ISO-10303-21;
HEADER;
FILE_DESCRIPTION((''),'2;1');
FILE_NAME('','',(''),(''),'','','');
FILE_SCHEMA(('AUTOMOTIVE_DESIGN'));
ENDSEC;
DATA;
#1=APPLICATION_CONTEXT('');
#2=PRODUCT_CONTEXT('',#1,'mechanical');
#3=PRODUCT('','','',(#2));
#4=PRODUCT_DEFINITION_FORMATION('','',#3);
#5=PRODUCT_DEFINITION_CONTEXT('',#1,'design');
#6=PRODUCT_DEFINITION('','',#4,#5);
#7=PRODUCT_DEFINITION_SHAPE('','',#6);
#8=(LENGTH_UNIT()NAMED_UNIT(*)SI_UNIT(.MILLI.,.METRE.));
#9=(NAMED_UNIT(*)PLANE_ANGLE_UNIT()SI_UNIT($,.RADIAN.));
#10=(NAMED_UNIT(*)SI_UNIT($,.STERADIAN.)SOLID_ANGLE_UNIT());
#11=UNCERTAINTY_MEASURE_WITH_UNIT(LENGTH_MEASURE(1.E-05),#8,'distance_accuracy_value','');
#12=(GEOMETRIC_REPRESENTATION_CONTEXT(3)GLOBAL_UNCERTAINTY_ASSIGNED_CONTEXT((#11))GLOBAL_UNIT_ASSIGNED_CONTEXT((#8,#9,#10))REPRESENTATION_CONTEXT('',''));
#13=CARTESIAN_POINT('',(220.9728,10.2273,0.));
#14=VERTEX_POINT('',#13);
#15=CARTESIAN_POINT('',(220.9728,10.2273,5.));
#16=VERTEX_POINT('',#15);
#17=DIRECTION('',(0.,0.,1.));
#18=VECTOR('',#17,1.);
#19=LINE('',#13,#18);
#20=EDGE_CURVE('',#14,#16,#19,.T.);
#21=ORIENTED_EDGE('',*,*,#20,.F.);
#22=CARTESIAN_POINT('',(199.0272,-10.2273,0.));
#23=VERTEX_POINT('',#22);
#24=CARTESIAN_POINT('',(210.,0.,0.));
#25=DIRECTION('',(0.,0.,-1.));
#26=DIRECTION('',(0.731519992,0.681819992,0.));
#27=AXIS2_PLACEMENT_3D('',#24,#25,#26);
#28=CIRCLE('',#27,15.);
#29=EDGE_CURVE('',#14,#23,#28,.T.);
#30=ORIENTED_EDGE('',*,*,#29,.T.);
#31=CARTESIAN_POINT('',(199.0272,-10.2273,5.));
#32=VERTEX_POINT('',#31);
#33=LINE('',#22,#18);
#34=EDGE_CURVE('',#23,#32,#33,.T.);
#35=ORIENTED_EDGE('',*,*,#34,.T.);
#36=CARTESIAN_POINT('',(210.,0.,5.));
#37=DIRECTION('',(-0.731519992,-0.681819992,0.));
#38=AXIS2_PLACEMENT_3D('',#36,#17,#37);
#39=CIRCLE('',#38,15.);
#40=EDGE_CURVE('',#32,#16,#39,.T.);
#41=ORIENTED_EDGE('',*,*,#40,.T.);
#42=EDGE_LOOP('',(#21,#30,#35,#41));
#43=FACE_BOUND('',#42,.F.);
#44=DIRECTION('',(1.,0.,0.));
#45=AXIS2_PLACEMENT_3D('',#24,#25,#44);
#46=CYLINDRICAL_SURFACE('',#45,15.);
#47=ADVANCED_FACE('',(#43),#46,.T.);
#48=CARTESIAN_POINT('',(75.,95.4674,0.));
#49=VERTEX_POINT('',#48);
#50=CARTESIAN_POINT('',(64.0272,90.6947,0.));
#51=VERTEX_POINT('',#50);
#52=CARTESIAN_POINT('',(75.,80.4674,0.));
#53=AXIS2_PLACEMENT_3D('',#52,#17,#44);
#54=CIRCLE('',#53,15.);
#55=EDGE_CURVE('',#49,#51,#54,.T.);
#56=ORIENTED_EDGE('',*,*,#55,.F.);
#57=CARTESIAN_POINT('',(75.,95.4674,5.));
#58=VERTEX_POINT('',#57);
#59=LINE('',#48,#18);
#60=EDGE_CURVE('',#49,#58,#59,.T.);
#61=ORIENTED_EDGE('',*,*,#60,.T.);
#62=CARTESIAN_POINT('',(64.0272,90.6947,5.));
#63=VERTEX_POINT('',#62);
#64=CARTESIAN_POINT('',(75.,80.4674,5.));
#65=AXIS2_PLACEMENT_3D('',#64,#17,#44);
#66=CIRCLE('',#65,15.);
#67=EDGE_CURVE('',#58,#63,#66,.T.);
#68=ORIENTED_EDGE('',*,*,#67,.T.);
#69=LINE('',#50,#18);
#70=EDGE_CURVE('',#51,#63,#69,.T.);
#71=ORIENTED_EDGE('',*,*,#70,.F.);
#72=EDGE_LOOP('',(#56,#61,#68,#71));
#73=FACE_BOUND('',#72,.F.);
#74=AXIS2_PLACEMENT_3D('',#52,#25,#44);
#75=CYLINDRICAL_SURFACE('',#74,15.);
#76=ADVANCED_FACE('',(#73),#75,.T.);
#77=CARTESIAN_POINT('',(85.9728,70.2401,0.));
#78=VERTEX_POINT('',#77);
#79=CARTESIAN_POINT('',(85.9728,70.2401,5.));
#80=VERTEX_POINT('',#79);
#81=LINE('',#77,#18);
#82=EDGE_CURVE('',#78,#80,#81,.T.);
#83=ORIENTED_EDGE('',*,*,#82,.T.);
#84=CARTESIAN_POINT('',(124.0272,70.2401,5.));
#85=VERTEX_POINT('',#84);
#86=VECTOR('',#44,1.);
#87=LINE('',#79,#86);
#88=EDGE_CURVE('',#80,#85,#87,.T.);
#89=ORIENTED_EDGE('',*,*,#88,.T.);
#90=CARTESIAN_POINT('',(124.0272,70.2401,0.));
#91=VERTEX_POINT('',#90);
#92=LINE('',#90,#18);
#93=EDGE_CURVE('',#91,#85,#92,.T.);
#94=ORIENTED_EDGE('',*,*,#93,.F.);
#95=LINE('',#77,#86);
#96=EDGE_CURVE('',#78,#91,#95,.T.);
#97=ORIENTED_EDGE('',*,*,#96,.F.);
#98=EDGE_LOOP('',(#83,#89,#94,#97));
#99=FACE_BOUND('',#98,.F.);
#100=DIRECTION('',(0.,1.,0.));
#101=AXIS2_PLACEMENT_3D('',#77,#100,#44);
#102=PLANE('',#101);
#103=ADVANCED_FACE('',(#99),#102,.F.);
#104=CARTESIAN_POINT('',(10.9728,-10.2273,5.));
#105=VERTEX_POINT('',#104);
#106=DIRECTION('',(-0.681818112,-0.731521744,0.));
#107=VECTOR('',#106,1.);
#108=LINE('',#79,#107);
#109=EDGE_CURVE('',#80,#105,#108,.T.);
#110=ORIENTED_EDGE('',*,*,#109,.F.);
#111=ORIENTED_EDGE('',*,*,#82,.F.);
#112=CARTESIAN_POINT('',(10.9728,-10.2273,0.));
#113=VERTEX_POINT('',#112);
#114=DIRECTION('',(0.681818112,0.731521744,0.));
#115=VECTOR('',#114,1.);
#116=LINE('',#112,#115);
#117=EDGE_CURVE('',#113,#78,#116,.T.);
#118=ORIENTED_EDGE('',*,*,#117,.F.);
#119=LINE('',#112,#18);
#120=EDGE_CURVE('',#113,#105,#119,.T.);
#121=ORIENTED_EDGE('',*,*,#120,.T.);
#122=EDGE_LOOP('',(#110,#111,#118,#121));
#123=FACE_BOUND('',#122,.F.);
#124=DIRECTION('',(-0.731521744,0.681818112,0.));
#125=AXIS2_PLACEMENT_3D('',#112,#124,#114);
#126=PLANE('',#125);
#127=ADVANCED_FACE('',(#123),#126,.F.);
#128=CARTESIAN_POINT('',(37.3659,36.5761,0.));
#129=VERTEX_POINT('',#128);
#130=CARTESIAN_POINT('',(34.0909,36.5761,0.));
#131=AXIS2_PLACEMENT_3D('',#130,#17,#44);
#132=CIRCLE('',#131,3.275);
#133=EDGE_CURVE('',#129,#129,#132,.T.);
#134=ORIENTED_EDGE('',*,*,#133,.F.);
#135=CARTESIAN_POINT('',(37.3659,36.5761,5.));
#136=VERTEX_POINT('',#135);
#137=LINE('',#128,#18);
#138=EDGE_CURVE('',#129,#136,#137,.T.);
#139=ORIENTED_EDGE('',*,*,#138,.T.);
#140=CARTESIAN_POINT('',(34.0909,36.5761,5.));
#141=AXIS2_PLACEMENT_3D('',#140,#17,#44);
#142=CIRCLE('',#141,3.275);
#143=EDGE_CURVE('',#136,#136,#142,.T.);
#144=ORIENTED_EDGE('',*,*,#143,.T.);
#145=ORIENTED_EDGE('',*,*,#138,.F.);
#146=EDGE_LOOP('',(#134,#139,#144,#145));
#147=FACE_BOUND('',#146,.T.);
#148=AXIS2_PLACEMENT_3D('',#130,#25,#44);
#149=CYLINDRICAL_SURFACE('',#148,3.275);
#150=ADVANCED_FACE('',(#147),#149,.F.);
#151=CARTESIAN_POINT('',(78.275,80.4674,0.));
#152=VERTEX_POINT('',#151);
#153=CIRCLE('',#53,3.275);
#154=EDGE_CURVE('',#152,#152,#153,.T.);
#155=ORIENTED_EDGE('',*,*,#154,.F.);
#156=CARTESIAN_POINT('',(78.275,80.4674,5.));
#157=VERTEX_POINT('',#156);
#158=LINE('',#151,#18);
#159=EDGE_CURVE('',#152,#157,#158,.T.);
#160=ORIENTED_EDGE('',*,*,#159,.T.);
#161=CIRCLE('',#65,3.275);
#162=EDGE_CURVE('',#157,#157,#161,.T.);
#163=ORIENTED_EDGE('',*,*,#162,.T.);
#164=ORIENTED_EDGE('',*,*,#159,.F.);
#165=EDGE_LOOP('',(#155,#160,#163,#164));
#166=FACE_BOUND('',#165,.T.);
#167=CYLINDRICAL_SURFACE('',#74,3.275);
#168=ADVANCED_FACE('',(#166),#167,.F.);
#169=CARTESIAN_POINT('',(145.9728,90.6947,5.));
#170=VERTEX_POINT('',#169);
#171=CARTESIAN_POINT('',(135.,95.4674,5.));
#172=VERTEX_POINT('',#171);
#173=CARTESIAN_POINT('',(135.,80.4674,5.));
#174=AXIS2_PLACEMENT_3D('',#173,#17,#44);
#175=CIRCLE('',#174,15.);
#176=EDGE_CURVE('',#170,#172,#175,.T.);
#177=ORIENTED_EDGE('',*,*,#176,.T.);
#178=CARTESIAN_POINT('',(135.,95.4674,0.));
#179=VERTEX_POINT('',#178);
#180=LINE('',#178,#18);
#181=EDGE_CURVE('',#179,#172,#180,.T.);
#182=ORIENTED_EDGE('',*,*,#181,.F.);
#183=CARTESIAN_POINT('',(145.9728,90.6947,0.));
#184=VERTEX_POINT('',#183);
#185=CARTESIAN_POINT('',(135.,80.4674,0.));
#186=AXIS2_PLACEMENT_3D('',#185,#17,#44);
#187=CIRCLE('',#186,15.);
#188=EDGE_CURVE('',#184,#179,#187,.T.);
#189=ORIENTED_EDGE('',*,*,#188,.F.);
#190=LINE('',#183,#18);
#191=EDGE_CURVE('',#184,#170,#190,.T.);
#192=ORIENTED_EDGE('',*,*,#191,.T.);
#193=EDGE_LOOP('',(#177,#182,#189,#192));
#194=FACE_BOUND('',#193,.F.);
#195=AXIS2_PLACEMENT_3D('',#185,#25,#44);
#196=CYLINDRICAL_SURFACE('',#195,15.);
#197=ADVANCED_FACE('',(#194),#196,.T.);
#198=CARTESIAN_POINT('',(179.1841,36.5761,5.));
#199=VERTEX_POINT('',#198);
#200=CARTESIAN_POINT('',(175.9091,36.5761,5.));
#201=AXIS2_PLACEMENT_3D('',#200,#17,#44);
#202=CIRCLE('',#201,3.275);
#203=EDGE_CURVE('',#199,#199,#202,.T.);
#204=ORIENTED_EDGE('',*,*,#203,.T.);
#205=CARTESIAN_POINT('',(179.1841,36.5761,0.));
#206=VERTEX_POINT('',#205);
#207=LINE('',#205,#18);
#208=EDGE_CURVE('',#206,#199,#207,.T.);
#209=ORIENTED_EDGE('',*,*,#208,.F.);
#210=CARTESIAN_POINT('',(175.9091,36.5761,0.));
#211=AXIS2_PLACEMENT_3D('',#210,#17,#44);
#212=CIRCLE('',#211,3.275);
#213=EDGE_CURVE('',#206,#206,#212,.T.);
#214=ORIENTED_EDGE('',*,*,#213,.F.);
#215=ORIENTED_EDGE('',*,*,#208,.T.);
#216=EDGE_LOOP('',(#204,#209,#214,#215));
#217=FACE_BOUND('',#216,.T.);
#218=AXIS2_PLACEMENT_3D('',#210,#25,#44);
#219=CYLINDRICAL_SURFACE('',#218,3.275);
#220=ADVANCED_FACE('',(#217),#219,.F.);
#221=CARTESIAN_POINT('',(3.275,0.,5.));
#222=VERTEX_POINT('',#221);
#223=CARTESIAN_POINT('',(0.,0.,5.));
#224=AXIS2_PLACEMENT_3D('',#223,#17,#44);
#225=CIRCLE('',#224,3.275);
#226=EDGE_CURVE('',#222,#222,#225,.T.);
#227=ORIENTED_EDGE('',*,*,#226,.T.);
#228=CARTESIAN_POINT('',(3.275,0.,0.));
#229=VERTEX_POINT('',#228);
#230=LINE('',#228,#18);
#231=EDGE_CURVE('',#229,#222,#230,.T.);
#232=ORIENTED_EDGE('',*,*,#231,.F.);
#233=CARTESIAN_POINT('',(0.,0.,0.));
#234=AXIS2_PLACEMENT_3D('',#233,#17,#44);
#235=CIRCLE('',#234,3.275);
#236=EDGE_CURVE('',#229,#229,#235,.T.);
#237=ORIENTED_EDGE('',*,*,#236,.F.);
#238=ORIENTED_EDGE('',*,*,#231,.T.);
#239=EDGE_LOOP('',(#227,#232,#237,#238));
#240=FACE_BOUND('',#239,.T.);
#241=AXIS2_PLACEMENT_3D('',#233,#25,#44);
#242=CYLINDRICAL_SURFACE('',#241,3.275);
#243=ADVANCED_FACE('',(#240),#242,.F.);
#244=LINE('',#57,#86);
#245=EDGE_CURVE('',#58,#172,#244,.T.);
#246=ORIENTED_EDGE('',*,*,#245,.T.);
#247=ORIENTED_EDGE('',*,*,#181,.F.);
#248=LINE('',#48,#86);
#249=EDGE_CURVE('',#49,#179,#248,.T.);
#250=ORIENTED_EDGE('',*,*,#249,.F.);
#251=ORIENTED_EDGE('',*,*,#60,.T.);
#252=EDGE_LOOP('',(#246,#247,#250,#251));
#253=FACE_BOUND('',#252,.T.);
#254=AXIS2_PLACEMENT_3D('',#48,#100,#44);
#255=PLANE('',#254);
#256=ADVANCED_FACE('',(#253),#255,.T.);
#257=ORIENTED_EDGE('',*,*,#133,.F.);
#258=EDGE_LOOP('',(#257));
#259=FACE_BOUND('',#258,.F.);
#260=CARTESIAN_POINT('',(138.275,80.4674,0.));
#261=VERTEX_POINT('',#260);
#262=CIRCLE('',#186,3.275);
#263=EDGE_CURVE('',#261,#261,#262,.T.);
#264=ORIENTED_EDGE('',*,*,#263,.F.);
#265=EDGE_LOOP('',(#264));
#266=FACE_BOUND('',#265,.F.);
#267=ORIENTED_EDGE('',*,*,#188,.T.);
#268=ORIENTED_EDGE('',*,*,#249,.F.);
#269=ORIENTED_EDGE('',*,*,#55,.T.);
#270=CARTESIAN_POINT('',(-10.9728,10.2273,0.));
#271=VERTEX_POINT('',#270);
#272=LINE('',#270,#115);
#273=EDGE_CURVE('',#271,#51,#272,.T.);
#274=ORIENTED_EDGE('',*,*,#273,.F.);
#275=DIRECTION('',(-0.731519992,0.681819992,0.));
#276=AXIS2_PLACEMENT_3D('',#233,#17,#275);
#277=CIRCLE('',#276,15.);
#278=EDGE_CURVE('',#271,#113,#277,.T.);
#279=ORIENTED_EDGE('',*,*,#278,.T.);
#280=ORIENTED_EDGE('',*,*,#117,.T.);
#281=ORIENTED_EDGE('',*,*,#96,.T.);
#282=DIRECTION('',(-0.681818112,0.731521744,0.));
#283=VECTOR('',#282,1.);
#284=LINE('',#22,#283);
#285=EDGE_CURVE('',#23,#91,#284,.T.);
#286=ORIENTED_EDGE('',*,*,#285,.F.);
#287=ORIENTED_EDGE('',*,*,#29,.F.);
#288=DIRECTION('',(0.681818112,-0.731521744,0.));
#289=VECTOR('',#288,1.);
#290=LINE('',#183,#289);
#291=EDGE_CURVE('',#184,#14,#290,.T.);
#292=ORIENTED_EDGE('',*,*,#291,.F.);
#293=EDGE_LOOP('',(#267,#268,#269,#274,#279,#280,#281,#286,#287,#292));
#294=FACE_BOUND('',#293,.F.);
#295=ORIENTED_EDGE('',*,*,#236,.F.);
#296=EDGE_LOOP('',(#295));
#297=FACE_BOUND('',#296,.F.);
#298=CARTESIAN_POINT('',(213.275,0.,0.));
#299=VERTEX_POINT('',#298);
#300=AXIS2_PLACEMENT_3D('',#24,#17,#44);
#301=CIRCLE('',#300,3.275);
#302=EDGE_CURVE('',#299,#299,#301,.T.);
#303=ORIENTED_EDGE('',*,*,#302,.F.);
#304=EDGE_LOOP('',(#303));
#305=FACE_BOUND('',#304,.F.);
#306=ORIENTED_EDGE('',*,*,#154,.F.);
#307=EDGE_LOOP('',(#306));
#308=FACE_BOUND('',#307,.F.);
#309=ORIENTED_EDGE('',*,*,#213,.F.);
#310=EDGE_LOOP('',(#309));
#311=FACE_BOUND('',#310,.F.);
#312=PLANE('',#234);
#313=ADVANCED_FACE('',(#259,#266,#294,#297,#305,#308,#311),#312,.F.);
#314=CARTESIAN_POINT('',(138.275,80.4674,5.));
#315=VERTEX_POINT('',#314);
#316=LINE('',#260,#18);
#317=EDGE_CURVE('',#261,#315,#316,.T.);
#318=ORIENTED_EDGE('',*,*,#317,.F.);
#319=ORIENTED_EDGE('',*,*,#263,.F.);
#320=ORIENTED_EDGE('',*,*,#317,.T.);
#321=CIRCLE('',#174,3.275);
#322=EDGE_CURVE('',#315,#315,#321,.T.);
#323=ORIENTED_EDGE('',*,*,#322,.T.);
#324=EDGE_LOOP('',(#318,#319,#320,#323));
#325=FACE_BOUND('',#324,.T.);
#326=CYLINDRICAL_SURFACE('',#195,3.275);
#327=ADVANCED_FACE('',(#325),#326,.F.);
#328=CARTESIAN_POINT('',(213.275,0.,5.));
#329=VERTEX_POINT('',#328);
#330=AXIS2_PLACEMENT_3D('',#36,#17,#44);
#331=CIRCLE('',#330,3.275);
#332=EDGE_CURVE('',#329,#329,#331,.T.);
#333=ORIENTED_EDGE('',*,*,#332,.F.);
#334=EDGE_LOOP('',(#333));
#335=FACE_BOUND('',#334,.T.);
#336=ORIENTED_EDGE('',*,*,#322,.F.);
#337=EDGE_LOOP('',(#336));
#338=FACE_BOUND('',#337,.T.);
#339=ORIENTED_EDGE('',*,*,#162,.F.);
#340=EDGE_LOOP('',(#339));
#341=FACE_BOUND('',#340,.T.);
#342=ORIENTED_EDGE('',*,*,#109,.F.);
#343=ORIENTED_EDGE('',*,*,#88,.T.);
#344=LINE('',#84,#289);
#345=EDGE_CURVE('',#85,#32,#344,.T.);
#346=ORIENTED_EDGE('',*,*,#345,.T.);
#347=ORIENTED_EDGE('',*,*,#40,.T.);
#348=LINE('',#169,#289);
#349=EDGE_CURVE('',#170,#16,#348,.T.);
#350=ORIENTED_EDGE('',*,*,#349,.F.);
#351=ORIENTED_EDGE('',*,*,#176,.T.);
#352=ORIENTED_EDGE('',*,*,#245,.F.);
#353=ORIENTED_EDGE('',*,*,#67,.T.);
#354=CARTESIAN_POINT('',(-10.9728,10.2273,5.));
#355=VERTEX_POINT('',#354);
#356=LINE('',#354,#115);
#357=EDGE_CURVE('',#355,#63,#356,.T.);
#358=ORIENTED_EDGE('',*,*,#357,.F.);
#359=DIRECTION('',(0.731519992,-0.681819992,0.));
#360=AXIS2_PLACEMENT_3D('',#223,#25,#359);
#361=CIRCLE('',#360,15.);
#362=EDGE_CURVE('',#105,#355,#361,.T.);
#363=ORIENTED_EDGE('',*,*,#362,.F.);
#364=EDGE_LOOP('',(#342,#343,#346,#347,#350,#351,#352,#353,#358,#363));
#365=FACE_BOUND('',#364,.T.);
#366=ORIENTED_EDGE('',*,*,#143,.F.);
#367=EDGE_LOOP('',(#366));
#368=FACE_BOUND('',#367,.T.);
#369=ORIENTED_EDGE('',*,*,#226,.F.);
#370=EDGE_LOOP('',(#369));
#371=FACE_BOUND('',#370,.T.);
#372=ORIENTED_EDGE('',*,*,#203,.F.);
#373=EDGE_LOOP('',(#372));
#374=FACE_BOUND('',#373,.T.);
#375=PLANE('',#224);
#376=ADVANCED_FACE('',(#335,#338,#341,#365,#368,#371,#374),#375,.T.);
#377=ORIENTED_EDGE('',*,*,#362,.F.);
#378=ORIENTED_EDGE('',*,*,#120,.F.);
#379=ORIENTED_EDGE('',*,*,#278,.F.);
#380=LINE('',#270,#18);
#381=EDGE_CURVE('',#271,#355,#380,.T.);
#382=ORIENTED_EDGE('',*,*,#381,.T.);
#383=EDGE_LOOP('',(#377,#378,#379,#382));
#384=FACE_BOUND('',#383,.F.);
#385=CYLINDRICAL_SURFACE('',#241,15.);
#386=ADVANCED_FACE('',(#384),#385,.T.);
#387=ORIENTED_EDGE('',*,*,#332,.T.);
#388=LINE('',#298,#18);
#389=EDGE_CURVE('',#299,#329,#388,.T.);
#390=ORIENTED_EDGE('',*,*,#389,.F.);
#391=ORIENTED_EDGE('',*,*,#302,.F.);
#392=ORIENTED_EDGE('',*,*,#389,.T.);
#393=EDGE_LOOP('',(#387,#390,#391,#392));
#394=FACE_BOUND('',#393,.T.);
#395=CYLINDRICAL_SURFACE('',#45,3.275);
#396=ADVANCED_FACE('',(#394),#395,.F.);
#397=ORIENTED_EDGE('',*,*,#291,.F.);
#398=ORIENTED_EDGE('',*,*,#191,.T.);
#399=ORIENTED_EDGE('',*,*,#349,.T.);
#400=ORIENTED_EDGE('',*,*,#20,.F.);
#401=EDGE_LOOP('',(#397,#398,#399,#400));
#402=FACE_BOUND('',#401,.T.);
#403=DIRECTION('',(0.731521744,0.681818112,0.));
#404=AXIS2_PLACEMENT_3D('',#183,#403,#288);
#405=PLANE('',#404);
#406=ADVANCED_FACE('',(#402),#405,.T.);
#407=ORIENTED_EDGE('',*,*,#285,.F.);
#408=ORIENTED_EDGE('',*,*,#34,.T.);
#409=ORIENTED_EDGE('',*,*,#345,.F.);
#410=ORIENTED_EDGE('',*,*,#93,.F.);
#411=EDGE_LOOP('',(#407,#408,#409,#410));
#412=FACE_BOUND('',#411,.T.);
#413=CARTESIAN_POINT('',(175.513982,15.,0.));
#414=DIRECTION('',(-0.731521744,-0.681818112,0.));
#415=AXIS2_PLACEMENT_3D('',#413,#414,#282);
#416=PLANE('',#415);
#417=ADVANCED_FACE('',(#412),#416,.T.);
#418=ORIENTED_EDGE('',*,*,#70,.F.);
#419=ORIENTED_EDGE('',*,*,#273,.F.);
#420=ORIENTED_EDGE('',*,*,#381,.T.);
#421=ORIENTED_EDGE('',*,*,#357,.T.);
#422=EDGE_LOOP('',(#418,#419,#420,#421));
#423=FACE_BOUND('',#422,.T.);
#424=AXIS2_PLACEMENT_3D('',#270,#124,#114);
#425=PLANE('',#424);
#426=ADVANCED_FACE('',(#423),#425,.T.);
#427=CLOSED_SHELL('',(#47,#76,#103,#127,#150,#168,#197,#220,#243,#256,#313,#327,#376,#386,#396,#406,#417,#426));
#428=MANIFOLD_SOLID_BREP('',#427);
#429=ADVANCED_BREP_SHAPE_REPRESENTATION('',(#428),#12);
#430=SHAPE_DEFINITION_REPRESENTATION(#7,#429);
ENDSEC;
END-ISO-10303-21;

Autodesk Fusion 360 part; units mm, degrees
sketch "Sketch1" plane through (0, 0, 0) normal (0, 0, 1) x (1, 0, 0)
  circle A0 centre (0, 0) radius 3.275
  circle A1 centre (210, 0) radius 3.275
  circle A2 centre (0, 0) radius 15
  circle A3 centre (210, 0) radius 15
  line L0 (0, 15) -> (210, 15)
  line L1 (0, -15) -> (210, -15)
  circle A4 centre (0, 0) radius 20 construction
  circle A5 centre (210, 0) radius 20 construction
  circle A6 centre (75, 80.4674) radius 3.275
  circle A7 centre (135, 80.4674) radius 3.275
  circle A8 centre (75, 80.4674) radius 15
  circle A9 centre (135, 80.4674) radius 15
  line L2 (-10.9728, 10.2273) -> (64.0272, 90.6947)
  line L3 (75, 95.4674) -> (135, 95.4674)
  line L4 (145.9728, 90.6947) -> (220.9728, 10.2273)
  circle A10 centre (34.0909, 36.5761) radius 30 construction
  circle A11 centre (75, 80.4674) radius 30 construction
  circle A12 centre (175.9091, 36.5761) radius 30 construction
  circle A13 centre (135, 80.4674) radius 30 construction
  line L5 (0, 0) -> (75, 80.4674) construction
  circle A14 centre (34.0909, 36.5761) radius 3.275
  circle A15 centre (175.9091, 36.5761) radius 3.275
  line L6 (10.9728, -10.2273) -> (85.9728, 70.2401)
  line L7 (199.0272, -10.2273) -> (124.0272, 70.2401)
  line L8 (85.9728, 70.2401) -> (124.0272, 70.2401)
  dimension "d2" = 6.55
  dimension "d3" = 6.55
  dimension "d4" = 210
  dimension "d6" = 30
  dimension "d7" = 30
  dimension "d10" = 40
  dimension "d11" = 40
  dimension "d14" = 6.55
  dimension "d15" = 6.55
  dimension "d16" = 30
  dimension "d17" = 30
  dimension "d20" = 60
  dimension "d21" = 60
  dimension "d22" = 60
  dimension "d23" = 60
  dimension "d24" = 6.55
  dimension "d25" = 6.55
extrude "Extrude1" add sketch "Sketch1" along normal blind 5 contours A2 | A2 L0 L6 | A2 L0 A8 L2 L6 | A8 | A3 L0 A9 L4 L7 | A3 L0 L7 | A8 A9 L3 L8 | A3 | A9
equation "SlipGearNominal = 209.5 mm"
equation "d4 = SlipGearNominal + SlipGearOffset"
equation "SlipGearOffset = 0.5 mm"
